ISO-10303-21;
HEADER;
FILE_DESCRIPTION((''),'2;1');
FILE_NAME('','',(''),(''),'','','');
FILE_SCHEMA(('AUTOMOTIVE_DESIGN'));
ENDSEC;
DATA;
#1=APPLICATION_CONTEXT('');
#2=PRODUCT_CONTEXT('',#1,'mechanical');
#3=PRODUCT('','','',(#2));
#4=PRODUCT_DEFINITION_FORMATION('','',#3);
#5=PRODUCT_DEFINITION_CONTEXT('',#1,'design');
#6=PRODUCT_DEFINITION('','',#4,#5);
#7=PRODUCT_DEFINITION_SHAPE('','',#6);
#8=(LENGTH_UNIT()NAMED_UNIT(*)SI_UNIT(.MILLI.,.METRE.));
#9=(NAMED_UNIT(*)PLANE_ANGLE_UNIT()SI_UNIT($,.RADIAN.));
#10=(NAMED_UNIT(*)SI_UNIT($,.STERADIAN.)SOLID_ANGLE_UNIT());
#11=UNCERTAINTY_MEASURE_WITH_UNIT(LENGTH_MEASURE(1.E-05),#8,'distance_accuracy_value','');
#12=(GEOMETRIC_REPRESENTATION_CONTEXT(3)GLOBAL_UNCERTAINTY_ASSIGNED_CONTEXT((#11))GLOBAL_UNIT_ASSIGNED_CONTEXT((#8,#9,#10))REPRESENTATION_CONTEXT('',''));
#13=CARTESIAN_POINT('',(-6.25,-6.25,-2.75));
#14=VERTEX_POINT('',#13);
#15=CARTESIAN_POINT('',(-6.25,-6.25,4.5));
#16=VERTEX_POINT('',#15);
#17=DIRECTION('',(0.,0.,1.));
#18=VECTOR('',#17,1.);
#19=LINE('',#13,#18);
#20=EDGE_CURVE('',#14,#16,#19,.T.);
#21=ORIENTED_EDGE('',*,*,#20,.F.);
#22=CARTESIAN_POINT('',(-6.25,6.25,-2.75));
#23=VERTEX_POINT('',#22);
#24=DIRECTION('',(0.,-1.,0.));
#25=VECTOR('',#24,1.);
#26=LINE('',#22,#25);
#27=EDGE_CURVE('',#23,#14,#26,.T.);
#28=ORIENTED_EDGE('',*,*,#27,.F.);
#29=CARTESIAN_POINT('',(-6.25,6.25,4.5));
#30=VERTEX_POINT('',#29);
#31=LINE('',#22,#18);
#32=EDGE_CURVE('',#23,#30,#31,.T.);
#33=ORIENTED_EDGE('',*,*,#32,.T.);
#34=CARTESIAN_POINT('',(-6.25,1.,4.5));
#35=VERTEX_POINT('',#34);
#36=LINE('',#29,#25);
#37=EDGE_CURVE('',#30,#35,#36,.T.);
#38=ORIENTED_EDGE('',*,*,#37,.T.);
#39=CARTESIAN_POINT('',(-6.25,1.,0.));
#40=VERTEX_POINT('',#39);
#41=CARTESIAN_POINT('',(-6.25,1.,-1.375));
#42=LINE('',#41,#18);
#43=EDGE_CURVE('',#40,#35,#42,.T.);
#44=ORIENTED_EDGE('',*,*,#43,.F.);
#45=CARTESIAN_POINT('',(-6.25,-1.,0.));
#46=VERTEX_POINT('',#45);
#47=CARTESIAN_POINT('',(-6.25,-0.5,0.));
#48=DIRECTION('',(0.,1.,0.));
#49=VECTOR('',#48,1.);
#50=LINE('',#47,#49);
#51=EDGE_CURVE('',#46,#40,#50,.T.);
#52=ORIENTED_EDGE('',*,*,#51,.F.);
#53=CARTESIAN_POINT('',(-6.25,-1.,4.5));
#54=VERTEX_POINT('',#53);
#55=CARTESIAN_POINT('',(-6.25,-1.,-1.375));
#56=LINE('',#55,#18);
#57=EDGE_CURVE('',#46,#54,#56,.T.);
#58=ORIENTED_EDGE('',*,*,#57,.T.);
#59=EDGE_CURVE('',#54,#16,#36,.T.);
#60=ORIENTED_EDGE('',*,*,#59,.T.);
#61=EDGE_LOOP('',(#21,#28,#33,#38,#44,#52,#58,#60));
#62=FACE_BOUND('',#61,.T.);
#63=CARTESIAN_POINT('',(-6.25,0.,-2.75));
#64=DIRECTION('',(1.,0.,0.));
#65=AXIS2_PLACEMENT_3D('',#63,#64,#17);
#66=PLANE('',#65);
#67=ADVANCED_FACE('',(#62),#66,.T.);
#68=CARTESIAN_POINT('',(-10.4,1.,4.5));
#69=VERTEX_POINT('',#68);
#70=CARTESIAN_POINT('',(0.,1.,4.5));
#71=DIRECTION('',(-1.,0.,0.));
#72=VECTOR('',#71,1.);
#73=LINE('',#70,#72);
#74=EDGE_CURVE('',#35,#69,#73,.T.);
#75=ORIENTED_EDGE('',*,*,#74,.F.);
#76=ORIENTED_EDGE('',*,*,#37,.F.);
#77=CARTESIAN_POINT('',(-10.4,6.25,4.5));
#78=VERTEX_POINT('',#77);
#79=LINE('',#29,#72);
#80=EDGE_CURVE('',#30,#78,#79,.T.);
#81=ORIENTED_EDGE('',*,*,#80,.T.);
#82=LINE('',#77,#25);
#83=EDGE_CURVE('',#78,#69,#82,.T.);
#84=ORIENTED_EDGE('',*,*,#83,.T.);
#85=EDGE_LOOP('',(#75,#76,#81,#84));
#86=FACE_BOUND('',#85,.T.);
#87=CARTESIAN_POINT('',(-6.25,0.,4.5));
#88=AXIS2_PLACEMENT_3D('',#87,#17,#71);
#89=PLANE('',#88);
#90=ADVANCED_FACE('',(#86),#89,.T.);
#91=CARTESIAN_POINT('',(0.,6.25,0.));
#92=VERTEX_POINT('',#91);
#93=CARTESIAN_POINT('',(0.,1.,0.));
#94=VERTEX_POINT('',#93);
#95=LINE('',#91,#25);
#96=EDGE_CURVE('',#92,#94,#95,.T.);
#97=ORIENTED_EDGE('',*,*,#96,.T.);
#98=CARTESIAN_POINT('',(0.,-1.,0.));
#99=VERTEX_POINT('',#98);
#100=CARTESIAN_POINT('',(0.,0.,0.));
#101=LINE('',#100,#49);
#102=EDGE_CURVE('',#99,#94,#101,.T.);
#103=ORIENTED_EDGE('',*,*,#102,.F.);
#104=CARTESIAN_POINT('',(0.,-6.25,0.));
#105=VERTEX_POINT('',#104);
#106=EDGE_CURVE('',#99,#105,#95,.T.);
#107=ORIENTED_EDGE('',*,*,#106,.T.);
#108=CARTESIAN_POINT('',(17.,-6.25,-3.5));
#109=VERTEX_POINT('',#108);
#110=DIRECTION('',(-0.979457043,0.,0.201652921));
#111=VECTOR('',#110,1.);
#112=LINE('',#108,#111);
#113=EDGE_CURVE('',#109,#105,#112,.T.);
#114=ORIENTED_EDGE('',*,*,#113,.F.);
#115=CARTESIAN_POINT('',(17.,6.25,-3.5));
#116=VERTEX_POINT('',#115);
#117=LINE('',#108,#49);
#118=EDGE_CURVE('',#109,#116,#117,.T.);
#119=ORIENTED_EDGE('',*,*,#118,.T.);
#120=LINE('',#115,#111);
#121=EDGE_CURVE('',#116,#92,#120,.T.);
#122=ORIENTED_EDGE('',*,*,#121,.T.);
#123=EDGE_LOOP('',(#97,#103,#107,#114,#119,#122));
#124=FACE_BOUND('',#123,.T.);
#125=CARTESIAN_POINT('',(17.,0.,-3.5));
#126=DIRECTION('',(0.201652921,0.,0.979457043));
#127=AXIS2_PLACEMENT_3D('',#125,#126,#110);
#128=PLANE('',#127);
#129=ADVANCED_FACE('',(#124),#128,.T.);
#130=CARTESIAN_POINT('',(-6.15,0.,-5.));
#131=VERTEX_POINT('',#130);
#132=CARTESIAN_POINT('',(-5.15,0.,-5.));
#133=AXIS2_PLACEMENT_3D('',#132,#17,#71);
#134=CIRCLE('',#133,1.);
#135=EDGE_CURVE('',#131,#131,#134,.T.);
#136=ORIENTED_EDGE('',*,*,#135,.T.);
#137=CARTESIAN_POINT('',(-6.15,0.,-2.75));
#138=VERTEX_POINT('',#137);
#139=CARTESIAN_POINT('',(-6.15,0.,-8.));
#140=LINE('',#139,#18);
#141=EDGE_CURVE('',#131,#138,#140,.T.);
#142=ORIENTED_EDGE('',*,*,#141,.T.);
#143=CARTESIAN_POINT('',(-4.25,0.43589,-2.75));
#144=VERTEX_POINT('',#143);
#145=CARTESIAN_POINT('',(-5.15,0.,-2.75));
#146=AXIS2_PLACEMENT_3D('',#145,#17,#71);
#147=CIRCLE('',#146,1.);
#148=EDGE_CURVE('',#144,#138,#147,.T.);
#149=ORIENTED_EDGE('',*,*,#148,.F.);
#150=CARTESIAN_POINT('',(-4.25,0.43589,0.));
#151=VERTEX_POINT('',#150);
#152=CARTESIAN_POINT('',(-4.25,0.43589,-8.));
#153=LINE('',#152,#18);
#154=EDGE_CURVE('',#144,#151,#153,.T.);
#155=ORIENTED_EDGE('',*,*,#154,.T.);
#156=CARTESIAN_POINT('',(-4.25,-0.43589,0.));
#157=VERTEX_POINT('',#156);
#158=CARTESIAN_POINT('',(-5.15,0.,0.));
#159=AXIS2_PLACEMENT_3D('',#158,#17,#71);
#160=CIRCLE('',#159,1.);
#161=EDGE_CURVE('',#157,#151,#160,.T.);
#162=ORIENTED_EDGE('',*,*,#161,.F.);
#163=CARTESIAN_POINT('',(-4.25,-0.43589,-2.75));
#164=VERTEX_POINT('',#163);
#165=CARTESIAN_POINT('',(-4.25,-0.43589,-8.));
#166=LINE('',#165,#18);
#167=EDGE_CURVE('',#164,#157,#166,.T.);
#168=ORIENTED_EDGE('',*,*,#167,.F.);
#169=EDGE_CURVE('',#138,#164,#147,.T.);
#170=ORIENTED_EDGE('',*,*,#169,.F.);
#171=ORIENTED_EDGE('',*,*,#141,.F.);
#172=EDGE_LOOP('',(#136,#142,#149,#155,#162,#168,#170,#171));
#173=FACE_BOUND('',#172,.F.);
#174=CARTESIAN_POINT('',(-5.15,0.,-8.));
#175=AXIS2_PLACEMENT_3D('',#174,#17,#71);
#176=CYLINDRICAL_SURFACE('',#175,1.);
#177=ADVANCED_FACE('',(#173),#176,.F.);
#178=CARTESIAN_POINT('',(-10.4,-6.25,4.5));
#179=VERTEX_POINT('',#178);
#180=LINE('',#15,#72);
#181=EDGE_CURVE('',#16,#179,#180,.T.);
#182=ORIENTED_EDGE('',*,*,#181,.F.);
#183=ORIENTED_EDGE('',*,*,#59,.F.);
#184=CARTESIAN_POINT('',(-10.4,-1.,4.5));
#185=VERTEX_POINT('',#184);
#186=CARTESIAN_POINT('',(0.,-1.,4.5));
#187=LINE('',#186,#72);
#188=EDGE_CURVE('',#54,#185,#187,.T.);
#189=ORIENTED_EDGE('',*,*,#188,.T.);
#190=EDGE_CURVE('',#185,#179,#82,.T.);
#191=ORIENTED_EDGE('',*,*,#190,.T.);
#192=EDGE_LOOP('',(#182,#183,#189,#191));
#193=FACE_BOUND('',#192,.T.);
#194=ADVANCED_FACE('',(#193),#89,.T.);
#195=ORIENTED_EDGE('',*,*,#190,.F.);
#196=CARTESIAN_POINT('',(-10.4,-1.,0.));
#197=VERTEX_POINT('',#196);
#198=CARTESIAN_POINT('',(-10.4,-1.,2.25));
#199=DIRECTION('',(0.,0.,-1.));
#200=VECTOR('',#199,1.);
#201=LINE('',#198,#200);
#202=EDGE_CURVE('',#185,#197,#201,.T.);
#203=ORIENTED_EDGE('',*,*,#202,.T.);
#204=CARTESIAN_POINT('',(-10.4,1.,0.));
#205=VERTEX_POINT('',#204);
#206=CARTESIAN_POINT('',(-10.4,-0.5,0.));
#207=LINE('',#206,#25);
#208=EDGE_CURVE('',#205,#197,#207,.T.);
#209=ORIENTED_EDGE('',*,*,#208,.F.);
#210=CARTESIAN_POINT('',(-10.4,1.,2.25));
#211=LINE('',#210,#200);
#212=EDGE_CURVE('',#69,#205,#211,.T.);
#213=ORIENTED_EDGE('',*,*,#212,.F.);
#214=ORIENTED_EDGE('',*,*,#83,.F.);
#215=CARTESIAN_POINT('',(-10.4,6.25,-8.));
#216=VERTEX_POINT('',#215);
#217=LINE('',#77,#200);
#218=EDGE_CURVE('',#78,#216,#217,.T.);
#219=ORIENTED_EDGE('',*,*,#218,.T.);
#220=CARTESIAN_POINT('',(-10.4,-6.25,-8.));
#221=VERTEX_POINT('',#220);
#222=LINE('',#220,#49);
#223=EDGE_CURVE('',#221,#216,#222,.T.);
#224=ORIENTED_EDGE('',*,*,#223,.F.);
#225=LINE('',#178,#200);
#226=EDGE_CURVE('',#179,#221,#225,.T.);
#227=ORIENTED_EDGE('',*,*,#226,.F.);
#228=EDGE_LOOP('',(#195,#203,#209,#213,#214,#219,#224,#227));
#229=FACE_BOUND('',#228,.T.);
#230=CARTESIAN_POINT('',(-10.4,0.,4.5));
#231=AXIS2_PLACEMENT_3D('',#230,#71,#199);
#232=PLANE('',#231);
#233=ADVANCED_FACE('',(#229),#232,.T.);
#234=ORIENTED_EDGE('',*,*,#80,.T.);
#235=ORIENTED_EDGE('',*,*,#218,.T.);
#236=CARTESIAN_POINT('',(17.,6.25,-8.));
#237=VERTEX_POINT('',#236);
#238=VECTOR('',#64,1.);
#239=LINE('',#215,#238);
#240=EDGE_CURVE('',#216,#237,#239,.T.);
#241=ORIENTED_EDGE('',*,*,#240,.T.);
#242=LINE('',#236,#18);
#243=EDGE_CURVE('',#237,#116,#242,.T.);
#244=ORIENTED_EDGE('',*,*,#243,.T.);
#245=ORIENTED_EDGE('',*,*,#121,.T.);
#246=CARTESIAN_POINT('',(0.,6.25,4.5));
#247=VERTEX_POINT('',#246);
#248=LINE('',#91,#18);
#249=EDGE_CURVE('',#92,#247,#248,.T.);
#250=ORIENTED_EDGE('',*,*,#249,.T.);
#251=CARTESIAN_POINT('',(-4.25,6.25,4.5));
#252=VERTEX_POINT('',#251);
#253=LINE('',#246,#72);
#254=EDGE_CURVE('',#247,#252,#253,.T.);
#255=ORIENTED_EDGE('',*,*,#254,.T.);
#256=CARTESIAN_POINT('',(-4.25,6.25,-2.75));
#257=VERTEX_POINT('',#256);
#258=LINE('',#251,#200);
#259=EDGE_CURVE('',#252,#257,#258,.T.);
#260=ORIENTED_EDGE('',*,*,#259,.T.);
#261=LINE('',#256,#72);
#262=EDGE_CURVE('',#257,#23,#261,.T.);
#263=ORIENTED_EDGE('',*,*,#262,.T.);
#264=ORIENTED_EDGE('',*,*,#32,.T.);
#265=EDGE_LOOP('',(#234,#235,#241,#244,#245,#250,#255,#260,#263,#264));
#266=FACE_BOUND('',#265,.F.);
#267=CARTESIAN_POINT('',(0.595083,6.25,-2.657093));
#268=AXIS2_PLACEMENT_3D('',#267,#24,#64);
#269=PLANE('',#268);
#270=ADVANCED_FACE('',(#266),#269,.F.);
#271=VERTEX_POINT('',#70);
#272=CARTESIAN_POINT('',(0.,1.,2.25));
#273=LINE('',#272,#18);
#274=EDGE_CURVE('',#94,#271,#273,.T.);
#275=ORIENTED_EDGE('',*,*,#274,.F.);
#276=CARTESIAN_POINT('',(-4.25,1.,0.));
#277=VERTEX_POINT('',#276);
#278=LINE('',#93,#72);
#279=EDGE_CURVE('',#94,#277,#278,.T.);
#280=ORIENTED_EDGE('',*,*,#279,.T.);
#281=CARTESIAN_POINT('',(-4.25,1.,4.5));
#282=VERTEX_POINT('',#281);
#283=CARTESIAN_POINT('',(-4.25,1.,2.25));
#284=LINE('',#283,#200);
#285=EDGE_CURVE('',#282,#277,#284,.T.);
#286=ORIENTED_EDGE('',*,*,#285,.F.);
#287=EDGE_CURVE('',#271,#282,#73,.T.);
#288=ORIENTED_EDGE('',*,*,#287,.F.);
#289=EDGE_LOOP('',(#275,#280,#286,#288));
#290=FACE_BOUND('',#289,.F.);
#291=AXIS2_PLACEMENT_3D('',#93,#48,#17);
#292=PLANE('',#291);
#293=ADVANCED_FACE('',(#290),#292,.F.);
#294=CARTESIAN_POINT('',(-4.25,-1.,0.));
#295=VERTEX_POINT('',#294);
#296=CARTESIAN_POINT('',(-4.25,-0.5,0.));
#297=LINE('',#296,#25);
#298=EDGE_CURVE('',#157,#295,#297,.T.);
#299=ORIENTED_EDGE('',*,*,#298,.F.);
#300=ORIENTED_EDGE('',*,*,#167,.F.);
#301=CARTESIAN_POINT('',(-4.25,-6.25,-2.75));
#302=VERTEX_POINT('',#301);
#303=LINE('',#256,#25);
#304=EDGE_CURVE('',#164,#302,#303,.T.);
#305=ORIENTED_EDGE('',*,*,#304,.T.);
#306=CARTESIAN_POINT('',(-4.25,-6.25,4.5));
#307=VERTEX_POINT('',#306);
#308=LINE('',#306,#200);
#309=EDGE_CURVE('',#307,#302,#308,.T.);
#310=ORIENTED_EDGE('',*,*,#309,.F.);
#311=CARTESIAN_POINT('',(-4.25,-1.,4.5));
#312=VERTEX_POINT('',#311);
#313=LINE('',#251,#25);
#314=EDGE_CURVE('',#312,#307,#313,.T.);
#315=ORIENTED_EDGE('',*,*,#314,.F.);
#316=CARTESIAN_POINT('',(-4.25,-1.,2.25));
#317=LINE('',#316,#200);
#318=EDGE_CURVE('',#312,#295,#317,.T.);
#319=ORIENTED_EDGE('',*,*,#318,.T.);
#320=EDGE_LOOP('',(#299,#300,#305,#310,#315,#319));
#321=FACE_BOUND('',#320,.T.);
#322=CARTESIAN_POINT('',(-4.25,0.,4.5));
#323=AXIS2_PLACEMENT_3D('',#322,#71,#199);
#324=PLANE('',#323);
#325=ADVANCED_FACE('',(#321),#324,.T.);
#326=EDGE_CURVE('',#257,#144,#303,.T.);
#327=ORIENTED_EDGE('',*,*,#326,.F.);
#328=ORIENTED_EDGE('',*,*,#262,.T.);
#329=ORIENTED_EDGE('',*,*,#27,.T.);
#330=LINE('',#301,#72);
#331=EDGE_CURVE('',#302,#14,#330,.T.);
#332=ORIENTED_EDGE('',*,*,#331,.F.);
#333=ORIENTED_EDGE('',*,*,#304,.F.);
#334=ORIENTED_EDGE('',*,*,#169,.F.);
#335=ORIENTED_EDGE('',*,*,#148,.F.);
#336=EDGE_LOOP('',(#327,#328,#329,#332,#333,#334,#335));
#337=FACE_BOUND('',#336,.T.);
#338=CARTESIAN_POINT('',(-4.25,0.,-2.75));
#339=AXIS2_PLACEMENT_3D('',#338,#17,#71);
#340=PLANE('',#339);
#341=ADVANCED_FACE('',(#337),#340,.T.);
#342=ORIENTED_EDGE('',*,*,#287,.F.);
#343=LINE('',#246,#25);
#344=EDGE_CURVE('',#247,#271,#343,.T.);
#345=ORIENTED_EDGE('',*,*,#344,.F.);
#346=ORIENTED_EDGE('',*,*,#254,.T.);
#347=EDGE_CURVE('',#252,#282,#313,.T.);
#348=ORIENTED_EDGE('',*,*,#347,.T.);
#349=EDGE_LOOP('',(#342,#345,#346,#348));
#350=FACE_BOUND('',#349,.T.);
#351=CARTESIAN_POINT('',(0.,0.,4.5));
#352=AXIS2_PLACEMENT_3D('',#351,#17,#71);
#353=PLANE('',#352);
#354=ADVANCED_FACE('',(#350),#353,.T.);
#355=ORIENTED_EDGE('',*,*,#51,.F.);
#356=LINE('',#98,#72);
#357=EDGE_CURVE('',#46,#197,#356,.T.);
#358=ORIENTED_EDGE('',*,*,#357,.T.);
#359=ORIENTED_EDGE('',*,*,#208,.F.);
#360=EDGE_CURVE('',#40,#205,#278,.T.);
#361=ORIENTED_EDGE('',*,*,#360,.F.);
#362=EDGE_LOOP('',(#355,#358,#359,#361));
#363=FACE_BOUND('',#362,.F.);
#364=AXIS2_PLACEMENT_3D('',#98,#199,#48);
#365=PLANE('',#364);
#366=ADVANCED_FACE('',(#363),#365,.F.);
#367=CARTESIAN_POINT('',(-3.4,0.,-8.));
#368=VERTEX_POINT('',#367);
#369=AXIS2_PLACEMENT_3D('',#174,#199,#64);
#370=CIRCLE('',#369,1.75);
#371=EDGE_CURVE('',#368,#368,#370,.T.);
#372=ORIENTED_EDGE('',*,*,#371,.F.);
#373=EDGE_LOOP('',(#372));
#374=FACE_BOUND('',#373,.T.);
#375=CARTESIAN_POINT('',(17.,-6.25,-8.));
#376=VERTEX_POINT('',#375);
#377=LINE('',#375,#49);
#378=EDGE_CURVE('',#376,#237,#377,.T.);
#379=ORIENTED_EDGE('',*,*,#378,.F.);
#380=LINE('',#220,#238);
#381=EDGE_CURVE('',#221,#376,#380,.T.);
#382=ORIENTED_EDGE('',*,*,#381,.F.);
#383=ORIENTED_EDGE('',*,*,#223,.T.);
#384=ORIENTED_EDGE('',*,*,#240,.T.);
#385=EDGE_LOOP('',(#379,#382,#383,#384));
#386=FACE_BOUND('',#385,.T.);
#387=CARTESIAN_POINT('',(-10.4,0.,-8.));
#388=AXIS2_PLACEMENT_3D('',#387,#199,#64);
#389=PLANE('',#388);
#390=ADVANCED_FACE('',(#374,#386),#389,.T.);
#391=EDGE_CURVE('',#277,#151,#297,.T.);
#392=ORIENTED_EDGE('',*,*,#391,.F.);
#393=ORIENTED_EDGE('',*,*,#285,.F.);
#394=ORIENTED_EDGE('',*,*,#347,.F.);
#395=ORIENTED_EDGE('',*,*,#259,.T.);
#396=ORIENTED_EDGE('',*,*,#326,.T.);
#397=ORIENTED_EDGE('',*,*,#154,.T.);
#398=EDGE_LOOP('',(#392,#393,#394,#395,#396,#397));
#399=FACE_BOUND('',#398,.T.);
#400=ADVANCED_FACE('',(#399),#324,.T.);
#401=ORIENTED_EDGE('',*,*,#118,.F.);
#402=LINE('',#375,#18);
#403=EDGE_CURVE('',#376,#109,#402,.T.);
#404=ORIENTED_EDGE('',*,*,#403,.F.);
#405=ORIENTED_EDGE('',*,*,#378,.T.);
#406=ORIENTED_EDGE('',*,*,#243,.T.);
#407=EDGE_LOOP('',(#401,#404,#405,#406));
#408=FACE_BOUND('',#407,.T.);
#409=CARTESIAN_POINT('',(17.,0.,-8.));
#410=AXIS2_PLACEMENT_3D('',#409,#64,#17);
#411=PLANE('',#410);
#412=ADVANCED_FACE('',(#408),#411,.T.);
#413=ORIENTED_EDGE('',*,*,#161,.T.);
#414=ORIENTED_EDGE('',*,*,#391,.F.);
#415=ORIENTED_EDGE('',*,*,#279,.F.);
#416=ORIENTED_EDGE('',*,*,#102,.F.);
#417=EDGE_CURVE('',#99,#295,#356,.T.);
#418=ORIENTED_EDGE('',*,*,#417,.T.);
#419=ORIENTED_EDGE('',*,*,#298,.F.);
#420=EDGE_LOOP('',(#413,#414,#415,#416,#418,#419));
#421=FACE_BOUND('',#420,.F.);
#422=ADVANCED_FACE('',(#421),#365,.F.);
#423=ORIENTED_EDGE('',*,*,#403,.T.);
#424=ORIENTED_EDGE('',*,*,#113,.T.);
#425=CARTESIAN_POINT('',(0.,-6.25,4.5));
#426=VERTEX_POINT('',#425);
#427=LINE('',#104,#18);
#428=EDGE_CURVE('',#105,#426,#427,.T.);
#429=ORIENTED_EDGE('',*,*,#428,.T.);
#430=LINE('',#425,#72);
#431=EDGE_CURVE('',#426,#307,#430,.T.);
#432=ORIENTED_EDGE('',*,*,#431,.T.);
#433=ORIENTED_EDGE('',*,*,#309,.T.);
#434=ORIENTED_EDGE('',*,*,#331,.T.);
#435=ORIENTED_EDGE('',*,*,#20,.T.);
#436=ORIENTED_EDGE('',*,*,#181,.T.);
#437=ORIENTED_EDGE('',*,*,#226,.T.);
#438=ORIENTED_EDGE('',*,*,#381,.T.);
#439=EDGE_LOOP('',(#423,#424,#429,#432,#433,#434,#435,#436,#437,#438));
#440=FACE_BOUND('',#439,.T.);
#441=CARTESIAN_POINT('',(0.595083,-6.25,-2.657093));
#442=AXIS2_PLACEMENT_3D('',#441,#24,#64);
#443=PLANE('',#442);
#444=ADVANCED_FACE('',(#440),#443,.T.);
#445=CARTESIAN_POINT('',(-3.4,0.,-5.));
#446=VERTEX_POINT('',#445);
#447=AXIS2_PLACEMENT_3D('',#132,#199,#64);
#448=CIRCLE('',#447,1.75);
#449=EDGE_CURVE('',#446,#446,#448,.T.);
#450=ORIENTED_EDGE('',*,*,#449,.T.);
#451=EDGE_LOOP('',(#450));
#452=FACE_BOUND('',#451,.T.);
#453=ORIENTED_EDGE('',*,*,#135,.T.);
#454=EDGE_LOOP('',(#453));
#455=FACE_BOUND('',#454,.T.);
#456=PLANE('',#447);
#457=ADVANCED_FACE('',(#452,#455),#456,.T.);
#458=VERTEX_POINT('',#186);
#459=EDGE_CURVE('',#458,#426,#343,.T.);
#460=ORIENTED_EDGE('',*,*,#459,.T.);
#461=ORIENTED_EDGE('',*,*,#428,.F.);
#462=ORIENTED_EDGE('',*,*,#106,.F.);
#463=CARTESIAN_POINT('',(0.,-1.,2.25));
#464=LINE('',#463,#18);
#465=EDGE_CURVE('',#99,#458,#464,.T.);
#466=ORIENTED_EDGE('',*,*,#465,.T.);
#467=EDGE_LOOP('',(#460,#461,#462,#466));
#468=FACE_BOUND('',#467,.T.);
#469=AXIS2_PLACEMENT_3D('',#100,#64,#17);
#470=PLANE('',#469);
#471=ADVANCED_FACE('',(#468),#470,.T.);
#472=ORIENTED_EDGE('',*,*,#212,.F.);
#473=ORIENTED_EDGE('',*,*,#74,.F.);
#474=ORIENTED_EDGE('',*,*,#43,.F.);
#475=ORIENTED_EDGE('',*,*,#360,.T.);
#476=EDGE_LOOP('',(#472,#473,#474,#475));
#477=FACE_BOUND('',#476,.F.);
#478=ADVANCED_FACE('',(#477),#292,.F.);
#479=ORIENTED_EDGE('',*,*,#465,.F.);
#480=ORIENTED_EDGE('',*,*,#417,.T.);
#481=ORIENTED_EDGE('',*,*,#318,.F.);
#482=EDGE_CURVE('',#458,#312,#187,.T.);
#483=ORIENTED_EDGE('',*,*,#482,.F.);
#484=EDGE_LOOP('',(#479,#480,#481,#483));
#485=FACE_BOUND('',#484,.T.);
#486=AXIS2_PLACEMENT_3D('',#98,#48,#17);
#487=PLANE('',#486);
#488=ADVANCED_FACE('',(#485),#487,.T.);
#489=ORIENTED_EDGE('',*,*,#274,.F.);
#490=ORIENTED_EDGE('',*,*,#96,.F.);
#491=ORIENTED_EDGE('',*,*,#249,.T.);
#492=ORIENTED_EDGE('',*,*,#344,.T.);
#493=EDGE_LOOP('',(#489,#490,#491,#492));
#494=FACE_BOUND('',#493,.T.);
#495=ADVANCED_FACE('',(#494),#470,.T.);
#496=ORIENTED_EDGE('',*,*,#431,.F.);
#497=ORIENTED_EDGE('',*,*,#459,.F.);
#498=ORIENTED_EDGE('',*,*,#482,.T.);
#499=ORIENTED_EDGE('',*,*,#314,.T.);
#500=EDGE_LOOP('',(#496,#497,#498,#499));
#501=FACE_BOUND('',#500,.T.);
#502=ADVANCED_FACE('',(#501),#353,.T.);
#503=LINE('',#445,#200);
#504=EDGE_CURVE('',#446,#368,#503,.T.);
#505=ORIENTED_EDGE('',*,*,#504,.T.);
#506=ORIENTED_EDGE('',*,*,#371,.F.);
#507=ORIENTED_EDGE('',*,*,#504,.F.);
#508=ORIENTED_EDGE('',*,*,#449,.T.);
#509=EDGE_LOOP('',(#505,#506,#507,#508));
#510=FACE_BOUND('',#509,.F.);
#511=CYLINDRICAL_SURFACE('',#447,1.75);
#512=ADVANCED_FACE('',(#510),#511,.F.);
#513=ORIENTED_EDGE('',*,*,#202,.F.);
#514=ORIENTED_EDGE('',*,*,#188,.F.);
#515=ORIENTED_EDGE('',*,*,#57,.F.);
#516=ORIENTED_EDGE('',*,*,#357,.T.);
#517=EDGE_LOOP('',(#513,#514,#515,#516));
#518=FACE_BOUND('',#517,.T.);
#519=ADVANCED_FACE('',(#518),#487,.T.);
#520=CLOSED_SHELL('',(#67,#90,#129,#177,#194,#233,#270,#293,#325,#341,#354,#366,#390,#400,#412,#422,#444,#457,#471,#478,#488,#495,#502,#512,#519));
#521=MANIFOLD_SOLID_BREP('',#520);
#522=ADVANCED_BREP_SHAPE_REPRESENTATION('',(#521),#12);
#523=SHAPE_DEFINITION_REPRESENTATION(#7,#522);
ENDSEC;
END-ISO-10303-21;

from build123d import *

# Parameters (mm, degrees)
F1_DEPTH       = 6.25
F2_W           = 2
F2_H           = 4.5
F3_DEPTH       = 10.401
F5_D           = 2
F5_DEPTH       = 38
F5_CBORE_D     = 3.5
F5_CBORE_DEPTH = 3
F5_TIP         = 0.600860619


with BuildPart() as f1:
    # F0 (on Front) → F1 (new body, symmetric)
    with BuildSketch(Plane.XZ):
        Polygon((17, -3.5), (0, 0), (0, 4.5), (-4.25, 4.5), (-4.25, -2.75), (-6.25, -2.75), (-6.25, 4.5), (-10.4, 4.5), (-10.4, -8), (17, -8), align=None)
    extrude(amount=F1_DEPTH, both=True)

    # F2 (on Right) → F3 (cut, through all)
    with BuildSketch(Plane.YZ):
        with Locations((0, 2.25)):
            Rectangle(F2_W, F2_H)
    extrude(amount=-F3_DEPTH, mode=Mode.SUBTRACT)

    # F5
    with Locations(Plane(origin=(0, 0, -8), x_dir=(1, 0, 0), z_dir=(0, 0, -1))):
        with Locations((-5.15, 0)):
            CounterBoreHole(F5_D / 2, F5_CBORE_D / 2, F5_CBORE_DEPTH, depth=F5_DEPTH)
            with Locations((0, 0, -(F5_DEPTH + F5_TIP / 2))):  # 118° drill point
                Cone(0, F5_D / 2, F5_TIP, mode=Mode.SUBTRACT)


solid = f1.part
